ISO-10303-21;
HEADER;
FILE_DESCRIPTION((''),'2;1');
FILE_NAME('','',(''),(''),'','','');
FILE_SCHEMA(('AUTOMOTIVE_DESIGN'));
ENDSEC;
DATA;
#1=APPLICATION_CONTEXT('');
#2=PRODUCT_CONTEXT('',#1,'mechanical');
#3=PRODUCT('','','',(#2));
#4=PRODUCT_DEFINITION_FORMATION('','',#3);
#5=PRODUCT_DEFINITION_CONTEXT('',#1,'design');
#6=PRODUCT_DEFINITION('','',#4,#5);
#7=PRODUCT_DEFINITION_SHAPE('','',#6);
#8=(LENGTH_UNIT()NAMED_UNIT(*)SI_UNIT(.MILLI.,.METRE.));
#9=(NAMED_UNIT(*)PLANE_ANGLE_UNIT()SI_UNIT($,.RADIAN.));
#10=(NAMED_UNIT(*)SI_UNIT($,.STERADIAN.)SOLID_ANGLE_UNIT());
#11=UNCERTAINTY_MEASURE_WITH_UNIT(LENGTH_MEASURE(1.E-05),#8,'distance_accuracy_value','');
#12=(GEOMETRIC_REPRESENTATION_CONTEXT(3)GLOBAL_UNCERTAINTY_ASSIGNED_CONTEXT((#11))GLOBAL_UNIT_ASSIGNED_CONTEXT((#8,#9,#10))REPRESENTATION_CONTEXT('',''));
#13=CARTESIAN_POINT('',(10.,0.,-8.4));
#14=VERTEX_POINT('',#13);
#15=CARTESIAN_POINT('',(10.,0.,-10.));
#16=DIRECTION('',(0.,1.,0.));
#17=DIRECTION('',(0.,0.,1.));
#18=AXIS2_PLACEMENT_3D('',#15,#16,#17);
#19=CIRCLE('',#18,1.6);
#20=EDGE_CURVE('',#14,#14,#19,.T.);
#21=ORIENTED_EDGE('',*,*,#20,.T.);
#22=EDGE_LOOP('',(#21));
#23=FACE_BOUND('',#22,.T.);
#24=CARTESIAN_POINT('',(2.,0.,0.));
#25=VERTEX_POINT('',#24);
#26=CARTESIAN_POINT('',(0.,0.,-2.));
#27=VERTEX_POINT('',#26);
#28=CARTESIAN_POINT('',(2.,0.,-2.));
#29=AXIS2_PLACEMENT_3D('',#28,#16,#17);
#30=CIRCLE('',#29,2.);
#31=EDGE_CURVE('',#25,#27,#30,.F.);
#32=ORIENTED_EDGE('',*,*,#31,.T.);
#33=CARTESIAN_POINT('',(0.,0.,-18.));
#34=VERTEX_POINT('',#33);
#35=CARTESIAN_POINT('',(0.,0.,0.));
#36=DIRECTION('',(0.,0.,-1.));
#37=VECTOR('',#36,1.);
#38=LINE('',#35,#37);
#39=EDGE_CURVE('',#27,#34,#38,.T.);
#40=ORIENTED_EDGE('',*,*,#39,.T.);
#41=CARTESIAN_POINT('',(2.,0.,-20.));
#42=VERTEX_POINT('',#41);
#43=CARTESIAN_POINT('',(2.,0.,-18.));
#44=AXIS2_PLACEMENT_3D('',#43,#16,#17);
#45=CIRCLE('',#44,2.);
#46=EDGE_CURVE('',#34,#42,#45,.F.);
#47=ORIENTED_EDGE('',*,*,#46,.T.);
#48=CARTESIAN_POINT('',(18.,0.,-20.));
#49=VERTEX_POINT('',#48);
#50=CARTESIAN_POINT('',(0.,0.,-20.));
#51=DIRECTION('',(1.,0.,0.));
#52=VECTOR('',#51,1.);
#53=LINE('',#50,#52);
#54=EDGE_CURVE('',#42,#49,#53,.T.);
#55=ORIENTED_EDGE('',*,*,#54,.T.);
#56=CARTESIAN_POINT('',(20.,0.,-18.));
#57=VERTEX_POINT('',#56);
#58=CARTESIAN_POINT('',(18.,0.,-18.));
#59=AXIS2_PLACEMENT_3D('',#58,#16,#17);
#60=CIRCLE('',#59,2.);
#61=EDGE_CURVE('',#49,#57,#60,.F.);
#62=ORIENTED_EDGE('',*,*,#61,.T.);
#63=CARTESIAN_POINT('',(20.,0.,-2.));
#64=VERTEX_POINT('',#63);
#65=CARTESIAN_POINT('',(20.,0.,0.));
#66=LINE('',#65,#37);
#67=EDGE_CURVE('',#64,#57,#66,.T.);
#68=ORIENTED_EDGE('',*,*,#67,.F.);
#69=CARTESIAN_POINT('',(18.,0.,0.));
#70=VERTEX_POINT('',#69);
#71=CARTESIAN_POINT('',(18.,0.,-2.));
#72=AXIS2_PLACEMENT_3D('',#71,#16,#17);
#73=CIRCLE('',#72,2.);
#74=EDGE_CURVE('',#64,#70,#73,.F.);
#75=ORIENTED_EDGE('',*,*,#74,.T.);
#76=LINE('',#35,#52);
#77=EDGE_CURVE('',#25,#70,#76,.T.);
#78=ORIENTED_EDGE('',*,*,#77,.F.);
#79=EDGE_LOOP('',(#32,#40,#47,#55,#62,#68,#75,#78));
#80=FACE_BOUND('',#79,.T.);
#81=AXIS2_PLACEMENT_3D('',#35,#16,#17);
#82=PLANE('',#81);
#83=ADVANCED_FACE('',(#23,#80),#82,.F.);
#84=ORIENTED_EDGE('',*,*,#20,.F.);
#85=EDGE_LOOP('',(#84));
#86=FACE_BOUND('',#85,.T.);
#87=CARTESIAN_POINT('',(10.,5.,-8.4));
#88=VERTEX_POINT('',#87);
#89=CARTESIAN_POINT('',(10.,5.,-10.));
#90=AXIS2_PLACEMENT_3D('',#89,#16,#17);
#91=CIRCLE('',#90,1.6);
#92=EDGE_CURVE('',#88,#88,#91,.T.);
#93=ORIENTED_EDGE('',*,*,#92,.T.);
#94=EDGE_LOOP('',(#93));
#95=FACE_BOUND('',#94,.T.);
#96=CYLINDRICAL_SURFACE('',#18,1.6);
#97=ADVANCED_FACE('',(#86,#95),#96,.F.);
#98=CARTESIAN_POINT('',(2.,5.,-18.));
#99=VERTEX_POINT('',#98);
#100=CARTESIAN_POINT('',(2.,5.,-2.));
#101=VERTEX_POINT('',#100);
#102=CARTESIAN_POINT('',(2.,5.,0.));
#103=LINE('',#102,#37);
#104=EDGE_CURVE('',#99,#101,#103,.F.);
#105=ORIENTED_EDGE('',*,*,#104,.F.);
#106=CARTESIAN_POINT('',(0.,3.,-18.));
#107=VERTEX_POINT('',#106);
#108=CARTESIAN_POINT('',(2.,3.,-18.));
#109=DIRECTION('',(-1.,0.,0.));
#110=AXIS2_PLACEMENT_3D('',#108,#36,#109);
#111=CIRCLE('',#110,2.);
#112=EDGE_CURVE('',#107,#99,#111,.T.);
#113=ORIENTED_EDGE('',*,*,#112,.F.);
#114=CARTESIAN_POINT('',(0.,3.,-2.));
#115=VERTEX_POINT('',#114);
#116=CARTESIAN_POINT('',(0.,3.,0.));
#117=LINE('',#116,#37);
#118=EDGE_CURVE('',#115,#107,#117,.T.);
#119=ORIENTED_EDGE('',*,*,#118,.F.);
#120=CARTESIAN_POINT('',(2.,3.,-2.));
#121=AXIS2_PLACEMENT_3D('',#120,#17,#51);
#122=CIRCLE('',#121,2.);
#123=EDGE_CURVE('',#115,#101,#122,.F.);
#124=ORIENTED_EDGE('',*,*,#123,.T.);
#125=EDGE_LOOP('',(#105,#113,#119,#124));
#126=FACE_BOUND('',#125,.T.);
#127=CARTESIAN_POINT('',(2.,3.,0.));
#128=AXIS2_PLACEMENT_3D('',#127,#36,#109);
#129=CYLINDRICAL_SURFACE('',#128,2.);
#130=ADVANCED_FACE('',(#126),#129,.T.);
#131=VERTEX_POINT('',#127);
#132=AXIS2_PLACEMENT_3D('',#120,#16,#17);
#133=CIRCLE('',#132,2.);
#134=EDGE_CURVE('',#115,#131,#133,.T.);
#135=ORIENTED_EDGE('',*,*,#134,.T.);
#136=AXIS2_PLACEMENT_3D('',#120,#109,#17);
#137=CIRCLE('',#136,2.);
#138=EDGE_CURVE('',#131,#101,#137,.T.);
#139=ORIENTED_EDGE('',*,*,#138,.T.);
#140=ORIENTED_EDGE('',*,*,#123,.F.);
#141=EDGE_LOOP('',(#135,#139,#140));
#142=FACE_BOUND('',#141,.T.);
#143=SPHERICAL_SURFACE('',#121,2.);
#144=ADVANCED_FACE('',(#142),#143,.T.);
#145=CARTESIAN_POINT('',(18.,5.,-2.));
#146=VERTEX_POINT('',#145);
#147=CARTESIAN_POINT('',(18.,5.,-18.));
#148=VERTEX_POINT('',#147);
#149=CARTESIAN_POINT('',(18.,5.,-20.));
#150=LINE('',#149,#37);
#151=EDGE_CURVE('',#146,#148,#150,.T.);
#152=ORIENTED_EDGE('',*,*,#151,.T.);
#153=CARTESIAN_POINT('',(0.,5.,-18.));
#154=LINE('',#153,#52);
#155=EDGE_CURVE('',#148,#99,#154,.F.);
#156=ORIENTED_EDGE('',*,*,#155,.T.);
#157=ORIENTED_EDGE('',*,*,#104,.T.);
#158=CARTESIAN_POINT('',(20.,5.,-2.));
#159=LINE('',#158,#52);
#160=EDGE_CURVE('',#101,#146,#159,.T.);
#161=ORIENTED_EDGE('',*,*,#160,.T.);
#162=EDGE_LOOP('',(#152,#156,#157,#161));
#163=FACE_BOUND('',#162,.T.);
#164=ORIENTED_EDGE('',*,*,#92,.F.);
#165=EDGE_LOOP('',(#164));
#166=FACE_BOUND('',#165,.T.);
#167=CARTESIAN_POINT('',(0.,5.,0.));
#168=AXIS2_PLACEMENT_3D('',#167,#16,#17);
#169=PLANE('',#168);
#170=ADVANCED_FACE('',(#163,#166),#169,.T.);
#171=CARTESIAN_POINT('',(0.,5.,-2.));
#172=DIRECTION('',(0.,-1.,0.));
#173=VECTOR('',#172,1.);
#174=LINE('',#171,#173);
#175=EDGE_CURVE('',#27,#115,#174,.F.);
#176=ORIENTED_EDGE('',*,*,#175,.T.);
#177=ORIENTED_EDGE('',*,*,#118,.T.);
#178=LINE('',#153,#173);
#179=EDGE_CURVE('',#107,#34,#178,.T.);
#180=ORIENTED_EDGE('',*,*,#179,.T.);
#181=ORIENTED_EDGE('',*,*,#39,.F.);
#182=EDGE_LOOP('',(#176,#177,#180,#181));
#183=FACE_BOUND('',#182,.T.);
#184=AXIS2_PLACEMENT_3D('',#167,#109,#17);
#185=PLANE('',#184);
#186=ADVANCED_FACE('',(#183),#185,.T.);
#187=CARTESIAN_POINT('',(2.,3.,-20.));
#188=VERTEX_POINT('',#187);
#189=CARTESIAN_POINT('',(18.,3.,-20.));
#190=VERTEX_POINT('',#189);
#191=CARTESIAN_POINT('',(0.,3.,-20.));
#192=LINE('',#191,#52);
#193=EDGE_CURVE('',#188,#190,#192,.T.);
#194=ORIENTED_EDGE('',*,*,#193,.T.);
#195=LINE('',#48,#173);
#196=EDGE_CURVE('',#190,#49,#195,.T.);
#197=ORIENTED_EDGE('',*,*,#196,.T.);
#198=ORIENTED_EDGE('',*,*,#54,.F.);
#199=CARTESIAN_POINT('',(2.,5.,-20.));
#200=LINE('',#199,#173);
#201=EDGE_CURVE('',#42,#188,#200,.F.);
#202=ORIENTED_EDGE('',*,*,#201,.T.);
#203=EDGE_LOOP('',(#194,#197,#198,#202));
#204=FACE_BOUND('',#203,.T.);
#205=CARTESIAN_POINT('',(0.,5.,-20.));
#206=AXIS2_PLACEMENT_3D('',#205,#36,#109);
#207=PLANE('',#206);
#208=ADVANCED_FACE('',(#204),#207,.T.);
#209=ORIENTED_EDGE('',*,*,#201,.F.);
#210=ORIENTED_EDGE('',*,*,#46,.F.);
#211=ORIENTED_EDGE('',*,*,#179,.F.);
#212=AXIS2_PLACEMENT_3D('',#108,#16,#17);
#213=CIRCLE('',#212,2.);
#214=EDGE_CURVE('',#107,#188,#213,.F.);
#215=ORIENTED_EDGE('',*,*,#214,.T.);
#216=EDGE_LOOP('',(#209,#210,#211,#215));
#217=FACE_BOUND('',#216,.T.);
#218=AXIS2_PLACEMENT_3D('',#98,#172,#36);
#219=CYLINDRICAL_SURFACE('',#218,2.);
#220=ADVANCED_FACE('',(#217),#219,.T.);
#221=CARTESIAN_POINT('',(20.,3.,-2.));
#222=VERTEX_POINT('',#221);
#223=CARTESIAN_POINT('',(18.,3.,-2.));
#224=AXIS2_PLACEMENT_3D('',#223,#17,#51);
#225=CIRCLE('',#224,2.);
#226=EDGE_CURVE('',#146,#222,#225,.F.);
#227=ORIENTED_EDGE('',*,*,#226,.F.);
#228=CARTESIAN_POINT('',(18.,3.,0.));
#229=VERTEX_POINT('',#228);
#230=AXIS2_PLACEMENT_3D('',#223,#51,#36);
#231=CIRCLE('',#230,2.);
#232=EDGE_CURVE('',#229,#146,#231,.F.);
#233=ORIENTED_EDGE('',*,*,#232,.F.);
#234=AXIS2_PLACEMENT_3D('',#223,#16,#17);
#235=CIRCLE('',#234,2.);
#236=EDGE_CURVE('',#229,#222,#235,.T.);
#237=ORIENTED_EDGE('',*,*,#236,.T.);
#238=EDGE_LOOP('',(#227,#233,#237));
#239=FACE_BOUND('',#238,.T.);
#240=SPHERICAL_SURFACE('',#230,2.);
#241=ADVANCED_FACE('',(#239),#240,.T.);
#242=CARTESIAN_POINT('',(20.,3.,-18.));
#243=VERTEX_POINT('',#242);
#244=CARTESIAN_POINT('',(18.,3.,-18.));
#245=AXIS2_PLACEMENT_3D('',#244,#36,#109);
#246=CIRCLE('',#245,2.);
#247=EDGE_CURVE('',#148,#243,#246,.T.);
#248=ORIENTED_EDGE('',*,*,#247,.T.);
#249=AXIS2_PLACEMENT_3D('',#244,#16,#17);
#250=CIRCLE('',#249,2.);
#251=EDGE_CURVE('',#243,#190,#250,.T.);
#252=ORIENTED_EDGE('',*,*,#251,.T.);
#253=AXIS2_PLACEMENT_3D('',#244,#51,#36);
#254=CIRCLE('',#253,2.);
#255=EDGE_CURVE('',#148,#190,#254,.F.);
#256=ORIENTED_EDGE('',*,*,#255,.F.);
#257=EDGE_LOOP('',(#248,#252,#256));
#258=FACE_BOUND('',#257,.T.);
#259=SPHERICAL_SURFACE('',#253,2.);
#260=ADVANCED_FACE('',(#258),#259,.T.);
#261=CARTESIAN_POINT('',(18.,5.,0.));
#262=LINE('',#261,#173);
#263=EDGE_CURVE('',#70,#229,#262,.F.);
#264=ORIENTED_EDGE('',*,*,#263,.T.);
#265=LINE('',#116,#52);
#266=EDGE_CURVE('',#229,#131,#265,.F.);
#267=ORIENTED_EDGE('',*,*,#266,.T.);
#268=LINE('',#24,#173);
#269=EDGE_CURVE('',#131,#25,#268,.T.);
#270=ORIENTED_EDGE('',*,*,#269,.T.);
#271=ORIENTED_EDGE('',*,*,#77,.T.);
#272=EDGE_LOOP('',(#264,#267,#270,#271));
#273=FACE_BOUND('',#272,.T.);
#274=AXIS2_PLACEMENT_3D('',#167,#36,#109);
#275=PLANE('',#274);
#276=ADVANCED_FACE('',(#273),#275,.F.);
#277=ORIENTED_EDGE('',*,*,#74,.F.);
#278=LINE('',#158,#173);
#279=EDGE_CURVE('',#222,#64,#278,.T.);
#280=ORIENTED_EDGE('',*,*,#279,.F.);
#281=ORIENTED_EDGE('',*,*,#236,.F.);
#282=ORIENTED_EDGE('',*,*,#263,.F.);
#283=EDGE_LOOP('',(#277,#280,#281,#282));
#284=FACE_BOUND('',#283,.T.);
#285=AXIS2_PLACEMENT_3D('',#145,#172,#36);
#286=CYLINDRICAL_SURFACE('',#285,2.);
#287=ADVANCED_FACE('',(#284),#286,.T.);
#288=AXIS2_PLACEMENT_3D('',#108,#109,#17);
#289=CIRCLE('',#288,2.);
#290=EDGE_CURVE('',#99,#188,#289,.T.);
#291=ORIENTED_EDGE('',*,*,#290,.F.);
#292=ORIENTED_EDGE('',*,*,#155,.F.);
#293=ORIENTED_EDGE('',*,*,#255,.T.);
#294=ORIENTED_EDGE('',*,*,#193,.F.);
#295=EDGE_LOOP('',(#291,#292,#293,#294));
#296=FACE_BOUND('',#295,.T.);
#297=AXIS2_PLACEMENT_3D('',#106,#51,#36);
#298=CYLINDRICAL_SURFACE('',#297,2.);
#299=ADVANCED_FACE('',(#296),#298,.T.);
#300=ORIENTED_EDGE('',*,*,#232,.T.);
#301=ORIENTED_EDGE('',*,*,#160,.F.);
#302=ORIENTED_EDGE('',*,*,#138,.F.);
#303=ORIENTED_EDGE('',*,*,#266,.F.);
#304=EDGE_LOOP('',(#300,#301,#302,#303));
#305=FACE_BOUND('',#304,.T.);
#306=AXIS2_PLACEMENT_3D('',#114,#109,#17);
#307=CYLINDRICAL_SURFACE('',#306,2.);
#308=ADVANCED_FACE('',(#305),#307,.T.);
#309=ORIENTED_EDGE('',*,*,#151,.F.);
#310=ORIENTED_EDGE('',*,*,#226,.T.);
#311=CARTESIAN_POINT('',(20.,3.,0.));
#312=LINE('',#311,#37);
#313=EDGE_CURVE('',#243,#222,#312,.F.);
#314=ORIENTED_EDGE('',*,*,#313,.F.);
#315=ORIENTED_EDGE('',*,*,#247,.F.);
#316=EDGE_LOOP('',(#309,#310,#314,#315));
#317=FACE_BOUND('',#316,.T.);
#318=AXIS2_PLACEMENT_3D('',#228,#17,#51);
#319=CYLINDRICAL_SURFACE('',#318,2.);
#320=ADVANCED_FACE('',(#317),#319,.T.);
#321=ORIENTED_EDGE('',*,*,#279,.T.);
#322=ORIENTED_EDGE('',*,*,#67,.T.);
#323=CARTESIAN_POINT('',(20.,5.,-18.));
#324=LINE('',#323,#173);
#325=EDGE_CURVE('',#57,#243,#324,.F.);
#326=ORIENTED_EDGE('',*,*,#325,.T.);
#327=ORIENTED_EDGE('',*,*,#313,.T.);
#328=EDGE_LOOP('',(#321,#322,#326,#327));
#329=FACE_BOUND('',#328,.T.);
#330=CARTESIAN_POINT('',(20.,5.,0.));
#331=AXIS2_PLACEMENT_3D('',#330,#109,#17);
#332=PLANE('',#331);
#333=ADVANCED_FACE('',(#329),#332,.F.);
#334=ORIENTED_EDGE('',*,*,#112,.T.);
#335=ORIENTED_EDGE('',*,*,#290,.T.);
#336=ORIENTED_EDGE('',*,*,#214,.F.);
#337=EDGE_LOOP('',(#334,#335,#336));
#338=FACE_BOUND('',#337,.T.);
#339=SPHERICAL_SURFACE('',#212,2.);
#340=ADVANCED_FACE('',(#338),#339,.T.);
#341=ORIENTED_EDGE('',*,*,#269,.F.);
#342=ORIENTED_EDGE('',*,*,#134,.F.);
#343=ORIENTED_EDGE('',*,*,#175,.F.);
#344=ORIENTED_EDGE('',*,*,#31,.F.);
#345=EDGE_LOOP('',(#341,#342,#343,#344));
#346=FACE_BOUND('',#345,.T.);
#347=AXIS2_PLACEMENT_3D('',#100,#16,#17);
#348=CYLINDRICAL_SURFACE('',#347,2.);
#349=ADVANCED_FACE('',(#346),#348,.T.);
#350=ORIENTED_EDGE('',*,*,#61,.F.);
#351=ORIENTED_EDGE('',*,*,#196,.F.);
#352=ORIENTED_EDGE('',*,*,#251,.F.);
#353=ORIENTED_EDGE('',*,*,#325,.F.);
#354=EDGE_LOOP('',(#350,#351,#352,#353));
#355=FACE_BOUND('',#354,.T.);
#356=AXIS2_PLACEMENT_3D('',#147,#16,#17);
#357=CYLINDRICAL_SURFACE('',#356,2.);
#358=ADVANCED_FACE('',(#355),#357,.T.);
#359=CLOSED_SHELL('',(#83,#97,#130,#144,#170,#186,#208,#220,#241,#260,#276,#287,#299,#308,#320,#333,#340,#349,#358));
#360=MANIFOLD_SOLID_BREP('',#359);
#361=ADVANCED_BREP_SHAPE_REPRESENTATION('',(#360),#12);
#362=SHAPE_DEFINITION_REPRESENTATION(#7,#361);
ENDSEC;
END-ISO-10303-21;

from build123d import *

# Parameters (mm, degrees)
SKETCH2_W           = 20
SKETCH2_H           = 20
BOSS_EXTRUDE1_DEPTH = 5
SKETCH3_R           = 1.6
CUT_EXTRUDE1_DEPTH  = 6
FILLET1_R           = 2


with BuildPart() as part:
    # Sketch2 → Boss-Extrude1 (new body)
    with BuildSketch(Plane(origin=(0, 0, 0), x_dir=(1, 0, 0), z_dir=(0, 1, 0))):
        with Locations((10, 10)):
            Rectangle(SKETCH2_W, SKETCH2_H)
    extrude(amount=BOSS_EXTRUDE1_DEPTH)

    # Sketch3 → Cut-Extrude1 (cut, through all)
    with BuildSketch(Plane(origin=(0, 5, 0), x_dir=(1, 0, 0), z_dir=(0, 1, 0))):
        with Locations((10, 10)):
            Circle(SKETCH3_R)
    extrude(amount=-CUT_EXTRUDE1_DEPTH, mode=Mode.SUBTRACT)

    # Fillet1
    fillet1_edges = [part.edges().sort_by_distance(p)[0] for p in [
        (10, 5, -20),
        (0, 5, -10),
        (10, 5, 0),
        (0, 2.5, 0),
        (0, 2.5, -20),
        (20, 2.5, -20),
        (20, 2.5, 0),
        (20, 5, -10),
    ]]
    fillet(fillet1_edges, radius=FILLET1_R)


solid = part.part
